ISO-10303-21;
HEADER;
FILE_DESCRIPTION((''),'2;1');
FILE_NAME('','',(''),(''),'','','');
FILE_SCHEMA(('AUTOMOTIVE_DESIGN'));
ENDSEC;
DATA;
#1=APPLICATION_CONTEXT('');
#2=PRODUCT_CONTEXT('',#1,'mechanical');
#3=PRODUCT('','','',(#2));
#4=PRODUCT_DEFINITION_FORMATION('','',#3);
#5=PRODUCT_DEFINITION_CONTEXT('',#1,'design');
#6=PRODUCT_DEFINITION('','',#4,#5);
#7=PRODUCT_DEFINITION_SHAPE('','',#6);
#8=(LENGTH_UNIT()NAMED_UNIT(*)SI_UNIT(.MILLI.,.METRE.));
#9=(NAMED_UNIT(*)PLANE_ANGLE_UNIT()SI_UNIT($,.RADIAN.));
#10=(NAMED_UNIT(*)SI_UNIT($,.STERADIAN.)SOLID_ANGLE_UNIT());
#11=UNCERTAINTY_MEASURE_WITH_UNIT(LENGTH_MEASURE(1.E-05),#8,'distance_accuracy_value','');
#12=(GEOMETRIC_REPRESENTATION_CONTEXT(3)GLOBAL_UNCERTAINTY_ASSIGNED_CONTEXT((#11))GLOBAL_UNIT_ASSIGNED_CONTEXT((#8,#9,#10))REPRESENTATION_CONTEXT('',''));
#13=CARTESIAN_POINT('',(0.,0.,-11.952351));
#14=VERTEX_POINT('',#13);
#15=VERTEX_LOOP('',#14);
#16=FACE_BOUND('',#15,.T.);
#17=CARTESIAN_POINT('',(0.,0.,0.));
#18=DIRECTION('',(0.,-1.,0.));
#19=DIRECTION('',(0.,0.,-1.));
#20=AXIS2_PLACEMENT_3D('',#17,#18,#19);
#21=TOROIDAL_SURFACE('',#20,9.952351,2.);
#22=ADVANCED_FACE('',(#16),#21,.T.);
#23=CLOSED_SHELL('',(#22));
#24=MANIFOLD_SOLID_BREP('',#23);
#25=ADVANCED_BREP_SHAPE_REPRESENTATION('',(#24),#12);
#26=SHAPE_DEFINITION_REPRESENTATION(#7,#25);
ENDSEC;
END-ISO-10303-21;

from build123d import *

# Parameters (mm, degrees)
SKETCH_1_R = 2


with BuildPart() as part:
    # 草图1 → 旋转1 (revolve)
    with BuildSketch(Plane.XY):
        with Locations((9.952351272, 0)):
            Circle(SKETCH_1_R)
    revolve(axis=Axis((0, 0, 0), (0, 1, 0)))


solid = part.part
